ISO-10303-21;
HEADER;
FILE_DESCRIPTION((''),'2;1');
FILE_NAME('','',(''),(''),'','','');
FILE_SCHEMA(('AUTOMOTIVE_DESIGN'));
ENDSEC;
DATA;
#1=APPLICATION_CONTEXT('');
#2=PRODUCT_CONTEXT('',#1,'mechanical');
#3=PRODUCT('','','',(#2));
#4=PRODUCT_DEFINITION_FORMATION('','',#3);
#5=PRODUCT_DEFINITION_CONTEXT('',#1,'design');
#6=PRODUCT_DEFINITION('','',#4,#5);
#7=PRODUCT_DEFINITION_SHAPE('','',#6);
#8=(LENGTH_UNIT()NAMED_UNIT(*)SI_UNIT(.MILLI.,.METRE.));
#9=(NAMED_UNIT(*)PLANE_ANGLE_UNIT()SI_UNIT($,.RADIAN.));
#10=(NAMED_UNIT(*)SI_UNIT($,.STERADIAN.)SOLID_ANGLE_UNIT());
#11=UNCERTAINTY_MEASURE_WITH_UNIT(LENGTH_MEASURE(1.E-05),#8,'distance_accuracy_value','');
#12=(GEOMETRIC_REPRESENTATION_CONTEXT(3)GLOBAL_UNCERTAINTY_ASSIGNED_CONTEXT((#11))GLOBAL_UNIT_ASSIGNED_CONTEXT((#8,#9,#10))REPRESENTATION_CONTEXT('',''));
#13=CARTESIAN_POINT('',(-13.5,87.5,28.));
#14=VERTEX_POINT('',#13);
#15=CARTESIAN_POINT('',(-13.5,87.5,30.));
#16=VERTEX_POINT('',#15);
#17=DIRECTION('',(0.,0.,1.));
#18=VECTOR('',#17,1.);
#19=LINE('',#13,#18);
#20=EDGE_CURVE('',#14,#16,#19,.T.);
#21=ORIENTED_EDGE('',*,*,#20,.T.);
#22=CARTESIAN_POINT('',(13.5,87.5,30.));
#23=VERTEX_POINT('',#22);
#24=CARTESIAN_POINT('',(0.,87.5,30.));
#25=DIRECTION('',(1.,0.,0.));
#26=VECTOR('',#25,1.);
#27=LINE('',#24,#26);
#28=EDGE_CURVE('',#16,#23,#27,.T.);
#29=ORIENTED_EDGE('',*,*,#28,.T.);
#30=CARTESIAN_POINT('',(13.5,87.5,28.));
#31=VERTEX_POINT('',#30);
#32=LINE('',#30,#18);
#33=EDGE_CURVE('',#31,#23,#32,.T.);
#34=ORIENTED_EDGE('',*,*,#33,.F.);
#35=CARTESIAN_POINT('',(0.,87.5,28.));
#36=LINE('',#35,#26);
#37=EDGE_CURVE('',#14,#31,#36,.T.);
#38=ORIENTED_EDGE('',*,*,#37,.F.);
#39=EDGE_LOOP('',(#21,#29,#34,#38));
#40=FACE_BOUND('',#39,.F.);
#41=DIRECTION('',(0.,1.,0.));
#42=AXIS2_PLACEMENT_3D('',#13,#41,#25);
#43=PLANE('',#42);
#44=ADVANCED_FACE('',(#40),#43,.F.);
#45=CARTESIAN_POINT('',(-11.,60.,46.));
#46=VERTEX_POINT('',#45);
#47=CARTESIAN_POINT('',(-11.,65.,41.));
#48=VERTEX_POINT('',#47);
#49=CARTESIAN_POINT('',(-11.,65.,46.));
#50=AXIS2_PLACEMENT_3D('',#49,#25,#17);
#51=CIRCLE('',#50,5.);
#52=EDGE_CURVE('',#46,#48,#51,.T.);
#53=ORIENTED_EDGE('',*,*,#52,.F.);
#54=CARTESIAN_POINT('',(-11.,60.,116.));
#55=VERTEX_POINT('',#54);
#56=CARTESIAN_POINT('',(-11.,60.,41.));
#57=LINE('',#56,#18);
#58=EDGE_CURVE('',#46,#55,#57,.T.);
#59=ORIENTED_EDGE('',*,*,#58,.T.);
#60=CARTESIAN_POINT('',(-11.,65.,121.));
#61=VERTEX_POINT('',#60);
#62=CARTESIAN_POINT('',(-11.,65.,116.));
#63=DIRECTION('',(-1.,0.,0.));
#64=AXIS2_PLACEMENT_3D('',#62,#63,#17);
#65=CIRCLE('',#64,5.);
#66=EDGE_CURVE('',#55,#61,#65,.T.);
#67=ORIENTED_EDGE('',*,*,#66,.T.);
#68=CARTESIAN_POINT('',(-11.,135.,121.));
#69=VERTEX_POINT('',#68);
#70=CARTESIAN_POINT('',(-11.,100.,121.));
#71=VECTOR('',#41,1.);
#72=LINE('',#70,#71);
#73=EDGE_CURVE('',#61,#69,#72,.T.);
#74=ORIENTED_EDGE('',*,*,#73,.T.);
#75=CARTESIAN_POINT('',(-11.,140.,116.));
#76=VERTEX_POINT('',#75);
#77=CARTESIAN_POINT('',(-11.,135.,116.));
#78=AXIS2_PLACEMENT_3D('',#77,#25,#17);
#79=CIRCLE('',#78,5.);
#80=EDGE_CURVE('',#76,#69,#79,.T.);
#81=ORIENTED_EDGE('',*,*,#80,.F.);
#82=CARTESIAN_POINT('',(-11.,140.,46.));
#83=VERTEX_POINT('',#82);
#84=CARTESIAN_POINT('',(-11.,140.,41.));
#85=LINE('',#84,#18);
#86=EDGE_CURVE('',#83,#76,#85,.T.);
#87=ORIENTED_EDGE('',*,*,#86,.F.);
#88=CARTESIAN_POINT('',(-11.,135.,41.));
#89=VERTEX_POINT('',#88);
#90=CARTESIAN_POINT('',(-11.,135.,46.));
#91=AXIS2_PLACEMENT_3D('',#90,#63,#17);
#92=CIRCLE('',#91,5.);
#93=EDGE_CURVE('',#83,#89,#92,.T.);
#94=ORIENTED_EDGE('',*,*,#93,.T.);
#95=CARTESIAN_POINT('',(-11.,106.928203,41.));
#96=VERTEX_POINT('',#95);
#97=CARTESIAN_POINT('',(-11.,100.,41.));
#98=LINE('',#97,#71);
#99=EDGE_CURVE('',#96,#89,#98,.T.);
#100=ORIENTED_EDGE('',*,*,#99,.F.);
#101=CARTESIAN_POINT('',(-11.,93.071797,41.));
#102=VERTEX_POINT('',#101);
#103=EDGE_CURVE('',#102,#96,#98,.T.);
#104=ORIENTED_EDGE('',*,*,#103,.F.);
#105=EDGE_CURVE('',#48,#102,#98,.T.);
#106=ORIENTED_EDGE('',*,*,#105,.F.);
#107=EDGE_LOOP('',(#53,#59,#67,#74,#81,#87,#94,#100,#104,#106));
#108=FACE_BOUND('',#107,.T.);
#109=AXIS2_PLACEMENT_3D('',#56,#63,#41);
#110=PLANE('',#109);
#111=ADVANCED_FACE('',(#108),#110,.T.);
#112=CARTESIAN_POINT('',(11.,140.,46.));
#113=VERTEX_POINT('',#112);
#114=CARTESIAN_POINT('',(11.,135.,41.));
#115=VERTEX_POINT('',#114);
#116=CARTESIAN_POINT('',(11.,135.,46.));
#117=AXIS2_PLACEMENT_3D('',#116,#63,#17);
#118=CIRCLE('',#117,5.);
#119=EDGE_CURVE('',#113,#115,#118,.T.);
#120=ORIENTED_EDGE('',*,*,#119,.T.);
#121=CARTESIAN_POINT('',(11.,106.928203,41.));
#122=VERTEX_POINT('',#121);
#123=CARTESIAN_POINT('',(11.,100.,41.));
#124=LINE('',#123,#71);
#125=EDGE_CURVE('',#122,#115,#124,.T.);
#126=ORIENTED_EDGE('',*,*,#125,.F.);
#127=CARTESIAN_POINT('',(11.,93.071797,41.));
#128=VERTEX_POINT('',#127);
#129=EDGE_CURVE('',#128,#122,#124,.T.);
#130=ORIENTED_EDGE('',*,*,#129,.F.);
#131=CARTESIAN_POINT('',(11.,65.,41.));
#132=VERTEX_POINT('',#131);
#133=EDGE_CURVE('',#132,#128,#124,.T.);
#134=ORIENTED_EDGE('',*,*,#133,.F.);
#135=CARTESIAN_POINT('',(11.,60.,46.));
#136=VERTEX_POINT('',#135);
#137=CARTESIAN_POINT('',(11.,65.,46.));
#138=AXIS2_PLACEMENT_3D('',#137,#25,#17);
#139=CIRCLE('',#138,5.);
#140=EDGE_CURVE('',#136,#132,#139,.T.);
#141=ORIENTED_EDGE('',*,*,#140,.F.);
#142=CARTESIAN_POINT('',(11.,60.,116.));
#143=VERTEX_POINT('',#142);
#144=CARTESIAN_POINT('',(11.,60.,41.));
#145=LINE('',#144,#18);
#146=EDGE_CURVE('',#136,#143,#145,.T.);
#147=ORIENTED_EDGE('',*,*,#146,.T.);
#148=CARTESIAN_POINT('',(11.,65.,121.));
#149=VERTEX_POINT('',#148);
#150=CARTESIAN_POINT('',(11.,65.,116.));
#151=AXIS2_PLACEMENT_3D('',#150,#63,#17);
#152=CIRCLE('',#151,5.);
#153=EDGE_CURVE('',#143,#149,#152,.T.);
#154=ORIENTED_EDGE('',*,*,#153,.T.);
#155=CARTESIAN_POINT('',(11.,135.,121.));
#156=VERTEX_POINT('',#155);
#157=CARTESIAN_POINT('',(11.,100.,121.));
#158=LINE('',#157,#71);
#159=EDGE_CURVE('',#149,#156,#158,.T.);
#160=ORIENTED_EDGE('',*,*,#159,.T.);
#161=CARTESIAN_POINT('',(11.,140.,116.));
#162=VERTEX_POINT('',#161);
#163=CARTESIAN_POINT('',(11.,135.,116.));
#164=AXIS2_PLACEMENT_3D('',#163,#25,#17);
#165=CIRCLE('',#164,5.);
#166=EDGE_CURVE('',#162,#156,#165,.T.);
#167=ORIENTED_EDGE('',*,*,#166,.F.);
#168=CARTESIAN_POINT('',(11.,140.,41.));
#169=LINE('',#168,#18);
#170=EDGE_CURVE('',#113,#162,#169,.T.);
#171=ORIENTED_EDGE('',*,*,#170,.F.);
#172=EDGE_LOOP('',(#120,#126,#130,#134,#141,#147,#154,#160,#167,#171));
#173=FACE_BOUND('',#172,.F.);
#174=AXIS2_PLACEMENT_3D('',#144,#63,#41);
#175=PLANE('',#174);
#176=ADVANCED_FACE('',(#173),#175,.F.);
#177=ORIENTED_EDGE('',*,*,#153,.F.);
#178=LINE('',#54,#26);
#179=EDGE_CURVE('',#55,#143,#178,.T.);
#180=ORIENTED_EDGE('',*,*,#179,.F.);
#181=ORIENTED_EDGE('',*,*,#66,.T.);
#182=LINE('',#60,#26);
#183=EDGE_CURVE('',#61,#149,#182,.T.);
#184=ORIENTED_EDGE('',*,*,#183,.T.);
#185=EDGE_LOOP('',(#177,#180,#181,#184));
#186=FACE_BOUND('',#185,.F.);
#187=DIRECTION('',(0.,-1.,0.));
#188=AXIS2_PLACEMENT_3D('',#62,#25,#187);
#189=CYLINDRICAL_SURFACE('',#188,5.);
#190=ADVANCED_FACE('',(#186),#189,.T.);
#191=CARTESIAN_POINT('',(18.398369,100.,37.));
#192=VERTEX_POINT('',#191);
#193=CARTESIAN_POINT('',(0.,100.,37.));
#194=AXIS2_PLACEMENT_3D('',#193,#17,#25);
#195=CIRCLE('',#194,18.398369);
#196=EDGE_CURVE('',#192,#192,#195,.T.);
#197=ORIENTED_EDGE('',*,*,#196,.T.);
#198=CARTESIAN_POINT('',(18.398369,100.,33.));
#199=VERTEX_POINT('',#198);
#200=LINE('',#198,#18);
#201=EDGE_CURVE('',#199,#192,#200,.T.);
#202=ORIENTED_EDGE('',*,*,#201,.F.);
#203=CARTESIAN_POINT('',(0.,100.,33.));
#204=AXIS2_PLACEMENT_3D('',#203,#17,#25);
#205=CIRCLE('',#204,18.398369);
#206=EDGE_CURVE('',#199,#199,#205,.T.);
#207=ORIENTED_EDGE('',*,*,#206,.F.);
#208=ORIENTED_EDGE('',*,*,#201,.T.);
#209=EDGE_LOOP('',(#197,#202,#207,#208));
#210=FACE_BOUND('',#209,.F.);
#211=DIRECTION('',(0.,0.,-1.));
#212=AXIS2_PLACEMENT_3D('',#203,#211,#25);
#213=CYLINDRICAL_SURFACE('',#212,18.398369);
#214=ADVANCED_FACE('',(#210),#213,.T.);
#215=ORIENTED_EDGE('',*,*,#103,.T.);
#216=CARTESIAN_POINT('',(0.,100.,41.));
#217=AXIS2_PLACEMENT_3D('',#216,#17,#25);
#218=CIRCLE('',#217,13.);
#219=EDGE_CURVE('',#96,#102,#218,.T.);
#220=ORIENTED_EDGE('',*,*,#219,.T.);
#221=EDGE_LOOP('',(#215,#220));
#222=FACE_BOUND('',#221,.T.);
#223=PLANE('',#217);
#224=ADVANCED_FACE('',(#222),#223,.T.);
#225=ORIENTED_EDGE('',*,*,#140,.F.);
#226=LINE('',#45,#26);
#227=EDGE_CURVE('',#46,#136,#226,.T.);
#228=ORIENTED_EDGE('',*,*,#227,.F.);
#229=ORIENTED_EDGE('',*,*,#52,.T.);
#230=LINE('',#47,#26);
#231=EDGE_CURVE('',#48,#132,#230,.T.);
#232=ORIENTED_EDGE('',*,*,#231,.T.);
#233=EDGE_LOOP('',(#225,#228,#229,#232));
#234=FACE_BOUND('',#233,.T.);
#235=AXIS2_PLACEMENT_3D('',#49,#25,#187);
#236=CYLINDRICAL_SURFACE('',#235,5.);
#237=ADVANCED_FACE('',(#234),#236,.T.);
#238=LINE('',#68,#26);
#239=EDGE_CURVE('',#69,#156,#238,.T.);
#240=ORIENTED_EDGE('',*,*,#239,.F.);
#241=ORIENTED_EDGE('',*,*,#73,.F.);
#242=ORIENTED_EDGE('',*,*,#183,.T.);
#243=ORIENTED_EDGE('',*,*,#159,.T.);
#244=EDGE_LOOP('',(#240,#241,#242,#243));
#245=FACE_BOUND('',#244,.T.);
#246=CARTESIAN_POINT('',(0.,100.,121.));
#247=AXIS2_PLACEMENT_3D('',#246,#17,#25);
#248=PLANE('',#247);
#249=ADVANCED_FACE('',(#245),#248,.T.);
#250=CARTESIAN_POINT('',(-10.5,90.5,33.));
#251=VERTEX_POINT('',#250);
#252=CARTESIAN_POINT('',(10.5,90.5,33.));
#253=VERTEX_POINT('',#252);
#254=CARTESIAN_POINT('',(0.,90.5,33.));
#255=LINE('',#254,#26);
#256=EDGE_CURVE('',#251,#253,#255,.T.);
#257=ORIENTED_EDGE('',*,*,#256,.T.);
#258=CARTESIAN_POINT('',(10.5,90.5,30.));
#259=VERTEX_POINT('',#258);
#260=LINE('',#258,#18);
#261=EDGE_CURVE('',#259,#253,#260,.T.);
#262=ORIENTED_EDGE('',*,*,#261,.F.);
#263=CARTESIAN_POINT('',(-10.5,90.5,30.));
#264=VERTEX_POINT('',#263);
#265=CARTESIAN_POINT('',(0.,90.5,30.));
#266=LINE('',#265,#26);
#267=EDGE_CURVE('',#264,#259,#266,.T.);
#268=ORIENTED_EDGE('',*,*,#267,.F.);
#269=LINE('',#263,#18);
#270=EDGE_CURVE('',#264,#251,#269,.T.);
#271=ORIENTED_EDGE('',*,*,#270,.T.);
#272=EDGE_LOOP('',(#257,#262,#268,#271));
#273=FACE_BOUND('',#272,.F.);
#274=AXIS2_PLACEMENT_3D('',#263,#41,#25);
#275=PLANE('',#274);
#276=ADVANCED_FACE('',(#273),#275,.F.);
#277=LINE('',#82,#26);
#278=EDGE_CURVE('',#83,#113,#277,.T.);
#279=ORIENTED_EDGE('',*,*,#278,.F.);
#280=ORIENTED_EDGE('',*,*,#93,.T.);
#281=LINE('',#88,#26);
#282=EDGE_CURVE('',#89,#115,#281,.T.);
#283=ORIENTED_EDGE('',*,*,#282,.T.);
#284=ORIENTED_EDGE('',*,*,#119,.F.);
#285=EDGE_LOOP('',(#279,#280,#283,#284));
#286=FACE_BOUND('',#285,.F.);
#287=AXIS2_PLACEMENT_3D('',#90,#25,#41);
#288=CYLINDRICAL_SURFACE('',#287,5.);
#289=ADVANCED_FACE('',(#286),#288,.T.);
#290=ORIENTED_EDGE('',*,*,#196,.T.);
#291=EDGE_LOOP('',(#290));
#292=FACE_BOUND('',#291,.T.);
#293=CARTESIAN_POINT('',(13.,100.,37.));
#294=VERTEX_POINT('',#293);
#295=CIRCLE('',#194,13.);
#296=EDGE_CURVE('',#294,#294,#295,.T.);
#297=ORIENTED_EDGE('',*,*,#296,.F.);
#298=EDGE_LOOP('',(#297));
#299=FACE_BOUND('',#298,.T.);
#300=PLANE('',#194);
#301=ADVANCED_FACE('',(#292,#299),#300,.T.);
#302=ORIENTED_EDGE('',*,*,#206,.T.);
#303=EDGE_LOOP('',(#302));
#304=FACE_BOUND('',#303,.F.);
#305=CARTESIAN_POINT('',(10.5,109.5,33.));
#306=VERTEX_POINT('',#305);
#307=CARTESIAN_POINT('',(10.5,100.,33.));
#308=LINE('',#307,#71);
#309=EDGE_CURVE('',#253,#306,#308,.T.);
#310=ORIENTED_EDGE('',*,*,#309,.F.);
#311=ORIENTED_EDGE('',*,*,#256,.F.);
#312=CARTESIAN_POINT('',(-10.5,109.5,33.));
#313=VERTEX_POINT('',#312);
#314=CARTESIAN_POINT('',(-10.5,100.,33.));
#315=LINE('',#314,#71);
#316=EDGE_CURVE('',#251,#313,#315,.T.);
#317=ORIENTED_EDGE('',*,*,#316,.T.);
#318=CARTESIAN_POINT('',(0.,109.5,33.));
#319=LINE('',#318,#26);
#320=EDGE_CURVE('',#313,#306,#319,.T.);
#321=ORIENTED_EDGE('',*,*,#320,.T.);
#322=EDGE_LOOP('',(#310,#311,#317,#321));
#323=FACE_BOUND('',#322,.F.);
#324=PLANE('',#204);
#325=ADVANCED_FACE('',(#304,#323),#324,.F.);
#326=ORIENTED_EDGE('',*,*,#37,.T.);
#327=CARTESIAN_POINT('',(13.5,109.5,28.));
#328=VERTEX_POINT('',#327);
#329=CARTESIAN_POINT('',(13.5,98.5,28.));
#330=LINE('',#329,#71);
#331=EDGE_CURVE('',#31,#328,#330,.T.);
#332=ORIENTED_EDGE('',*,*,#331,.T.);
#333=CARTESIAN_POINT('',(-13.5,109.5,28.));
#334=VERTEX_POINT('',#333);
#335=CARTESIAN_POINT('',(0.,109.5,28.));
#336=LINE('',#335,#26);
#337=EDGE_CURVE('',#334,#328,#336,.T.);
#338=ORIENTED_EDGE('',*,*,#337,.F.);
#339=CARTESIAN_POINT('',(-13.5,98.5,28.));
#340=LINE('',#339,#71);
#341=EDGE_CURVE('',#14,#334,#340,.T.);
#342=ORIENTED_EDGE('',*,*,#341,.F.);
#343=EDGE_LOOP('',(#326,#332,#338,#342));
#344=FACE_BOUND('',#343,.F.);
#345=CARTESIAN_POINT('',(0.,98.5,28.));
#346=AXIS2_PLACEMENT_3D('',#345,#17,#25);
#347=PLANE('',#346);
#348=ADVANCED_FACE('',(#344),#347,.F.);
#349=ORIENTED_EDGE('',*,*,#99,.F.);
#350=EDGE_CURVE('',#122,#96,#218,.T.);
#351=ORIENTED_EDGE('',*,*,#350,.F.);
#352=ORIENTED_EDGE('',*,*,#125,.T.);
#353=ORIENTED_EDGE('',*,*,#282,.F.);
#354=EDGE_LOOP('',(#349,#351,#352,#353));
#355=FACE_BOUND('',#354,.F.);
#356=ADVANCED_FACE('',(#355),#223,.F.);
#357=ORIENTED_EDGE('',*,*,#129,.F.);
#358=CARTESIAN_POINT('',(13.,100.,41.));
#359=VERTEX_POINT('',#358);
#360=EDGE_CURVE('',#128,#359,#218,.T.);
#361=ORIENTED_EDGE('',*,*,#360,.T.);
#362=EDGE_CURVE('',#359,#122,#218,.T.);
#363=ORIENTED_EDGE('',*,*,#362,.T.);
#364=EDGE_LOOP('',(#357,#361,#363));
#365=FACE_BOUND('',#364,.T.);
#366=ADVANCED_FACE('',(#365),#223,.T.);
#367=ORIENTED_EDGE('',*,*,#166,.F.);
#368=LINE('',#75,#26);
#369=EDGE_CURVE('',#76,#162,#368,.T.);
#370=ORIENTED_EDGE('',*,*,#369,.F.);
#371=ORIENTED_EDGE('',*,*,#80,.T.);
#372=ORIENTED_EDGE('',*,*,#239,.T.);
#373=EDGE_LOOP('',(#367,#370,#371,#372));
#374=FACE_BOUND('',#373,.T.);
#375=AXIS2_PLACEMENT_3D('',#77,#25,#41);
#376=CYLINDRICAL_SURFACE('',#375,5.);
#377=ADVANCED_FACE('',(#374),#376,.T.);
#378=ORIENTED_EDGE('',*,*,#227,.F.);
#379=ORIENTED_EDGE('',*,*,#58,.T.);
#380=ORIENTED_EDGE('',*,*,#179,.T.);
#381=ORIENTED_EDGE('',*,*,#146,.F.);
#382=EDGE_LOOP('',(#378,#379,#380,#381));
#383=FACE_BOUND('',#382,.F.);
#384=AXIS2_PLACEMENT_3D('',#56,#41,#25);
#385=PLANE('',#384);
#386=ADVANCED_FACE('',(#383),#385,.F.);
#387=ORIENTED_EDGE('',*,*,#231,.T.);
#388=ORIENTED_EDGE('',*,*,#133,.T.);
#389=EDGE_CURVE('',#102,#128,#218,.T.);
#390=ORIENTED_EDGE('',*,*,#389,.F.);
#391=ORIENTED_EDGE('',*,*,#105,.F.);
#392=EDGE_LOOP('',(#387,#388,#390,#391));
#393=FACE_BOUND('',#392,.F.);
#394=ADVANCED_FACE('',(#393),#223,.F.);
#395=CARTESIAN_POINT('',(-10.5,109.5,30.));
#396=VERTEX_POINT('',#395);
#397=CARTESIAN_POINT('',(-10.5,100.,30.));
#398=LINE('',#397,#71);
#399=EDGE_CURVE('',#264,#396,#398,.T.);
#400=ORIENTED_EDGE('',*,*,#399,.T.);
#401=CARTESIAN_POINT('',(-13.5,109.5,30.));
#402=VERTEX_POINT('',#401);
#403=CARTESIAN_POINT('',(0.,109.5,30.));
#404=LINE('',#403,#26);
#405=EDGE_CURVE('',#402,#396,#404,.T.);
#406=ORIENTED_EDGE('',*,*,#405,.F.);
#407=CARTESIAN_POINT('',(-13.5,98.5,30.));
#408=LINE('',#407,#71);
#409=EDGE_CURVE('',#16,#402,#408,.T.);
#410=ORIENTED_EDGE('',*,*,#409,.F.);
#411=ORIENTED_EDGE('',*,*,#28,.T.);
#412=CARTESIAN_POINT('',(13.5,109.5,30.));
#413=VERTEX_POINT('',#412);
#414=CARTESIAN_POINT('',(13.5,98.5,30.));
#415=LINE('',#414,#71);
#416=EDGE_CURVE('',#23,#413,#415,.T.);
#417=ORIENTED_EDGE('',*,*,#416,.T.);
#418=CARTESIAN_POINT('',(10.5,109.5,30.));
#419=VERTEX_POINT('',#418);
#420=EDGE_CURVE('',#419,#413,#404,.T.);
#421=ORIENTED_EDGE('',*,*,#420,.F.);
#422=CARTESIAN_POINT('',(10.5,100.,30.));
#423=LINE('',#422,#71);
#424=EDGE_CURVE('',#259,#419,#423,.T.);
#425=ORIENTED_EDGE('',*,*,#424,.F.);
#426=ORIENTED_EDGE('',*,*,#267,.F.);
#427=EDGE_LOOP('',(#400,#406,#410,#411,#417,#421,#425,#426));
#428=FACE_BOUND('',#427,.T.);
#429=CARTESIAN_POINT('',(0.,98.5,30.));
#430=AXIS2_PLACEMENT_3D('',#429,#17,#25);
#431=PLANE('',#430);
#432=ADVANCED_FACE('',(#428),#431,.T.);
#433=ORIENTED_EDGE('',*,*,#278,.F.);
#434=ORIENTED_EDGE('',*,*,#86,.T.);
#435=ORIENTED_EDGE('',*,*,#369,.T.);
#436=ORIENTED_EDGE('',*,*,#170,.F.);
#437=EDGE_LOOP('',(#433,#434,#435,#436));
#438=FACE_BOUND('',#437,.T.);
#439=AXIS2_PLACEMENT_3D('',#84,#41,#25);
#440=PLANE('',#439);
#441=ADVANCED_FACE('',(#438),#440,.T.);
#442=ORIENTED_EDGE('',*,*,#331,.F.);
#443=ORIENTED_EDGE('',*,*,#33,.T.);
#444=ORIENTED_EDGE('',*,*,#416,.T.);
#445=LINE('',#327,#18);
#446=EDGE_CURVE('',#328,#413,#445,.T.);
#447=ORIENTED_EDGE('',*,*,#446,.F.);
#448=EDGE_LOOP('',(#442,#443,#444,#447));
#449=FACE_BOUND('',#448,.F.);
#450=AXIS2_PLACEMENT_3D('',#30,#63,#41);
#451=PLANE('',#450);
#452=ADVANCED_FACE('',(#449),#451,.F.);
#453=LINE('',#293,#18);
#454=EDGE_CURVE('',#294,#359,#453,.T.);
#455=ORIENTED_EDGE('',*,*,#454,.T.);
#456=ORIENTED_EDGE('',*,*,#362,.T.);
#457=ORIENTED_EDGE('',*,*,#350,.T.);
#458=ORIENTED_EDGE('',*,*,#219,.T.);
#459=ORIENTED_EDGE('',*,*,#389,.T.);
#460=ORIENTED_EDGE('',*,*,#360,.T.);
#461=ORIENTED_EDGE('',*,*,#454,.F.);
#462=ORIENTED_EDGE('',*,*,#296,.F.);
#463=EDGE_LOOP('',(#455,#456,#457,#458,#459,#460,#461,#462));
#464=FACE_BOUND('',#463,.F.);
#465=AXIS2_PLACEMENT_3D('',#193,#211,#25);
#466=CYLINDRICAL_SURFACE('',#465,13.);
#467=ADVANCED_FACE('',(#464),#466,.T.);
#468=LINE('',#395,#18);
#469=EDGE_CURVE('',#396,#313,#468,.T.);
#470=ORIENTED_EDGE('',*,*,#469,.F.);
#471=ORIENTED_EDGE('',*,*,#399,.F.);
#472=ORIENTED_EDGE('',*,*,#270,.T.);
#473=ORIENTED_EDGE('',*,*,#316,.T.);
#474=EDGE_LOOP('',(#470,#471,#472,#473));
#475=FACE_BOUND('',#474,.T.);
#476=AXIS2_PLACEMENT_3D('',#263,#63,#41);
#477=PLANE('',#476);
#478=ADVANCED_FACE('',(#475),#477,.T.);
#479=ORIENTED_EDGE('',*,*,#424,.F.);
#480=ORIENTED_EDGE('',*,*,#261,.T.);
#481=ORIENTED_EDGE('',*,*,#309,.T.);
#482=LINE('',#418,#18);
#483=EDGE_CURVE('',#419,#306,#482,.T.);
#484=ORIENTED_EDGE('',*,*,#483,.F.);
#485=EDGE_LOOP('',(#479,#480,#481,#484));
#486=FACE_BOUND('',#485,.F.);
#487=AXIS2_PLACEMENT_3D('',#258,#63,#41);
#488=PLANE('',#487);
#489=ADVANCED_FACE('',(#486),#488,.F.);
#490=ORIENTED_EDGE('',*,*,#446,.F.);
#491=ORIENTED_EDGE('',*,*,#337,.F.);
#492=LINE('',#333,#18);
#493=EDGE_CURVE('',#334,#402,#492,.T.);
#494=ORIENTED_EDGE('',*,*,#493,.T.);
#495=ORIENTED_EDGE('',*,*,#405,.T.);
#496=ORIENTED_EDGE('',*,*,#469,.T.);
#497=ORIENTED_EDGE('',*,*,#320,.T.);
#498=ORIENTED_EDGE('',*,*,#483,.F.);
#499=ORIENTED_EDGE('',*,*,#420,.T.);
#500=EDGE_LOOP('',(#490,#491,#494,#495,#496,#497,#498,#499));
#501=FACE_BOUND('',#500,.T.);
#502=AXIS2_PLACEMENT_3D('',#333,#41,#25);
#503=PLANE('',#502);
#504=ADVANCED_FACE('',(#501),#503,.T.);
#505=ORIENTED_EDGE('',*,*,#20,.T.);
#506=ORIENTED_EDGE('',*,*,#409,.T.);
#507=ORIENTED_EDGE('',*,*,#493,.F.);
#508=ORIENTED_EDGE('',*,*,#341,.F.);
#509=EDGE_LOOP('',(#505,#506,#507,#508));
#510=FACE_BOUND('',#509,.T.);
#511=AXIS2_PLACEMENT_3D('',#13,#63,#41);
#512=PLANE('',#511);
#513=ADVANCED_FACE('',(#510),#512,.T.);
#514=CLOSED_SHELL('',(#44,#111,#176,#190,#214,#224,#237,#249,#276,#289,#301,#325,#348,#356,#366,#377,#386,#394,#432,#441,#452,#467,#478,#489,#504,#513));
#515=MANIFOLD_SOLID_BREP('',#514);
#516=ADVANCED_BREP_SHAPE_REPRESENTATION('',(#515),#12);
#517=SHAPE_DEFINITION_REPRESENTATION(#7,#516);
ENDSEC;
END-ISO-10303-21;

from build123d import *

# Parameters (mm, degrees)
SKETCH030_W  = 27
SKETCH030_H  = 22
PAD020_DEPTH = 2
SKETCH031_W  = 21
SKETCH031_H  = 19
PAD021_DEPTH = 3
SKETCH032_R  = 18.398369
PAD022_DEPTH = 4
SKETCH033_R  = 13
PAD023_DEPTH = 4
SKETCH034_W  = 22
SKETCH034_H  = 80
PAD024_DEPTH = 80
FILLET_R     = 5


with BuildPart() as part:
    # Sketch030 → Pad020 (new body)
    with BuildSketch(Plane.XY):
        with Locations((0, -1.5)):
            Rectangle(SKETCH030_W, SKETCH030_H)
    extrude(amount=PAD020_DEPTH)

    # Sketch031 (on Face6 of Pad020) → Pad021 (join)
    with BuildSketch(Plane.XY.offset(2)):
        Rectangle(SKETCH031_W, SKETCH031_H)
    extrude(amount=PAD021_DEPTH)

    # Sketch032 (on Face11 of Pad021) → Pad022 (join)
    with BuildSketch(Plane.XY.offset(5)):
        Circle(SKETCH032_R)
    extrude(amount=PAD022_DEPTH)

    # Sketch033 (on Face3 of Pad022) → Pad023 (join)
    with BuildSketch(Plane.XY.offset(9)):
        Circle(SKETCH033_R)
    extrude(amount=PAD023_DEPTH)

    # Sketch034 (on Face11 of Pad023) → Pad024 (join)
    with BuildSketch(Plane.XY.offset(13)):
        Rectangle(SKETCH034_W, SKETCH034_H)
    extrude(amount=PAD024_DEPTH)

    # Fillet
    fillet_edges = [part.edges().sort_by_distance(p)[0] for p in [
        (0, -40, 93),
        (0, 40, 93),
        (0, -40, 13),
        (0, 40, 13),
    ]]
    fillet(fillet_edges, radius=FILLET_R)


with BuildPart() as part_1:
    # Body013 placement: moved
    add(part.part.moved(Location((0, 100, 28))))


solid = part_1.part
